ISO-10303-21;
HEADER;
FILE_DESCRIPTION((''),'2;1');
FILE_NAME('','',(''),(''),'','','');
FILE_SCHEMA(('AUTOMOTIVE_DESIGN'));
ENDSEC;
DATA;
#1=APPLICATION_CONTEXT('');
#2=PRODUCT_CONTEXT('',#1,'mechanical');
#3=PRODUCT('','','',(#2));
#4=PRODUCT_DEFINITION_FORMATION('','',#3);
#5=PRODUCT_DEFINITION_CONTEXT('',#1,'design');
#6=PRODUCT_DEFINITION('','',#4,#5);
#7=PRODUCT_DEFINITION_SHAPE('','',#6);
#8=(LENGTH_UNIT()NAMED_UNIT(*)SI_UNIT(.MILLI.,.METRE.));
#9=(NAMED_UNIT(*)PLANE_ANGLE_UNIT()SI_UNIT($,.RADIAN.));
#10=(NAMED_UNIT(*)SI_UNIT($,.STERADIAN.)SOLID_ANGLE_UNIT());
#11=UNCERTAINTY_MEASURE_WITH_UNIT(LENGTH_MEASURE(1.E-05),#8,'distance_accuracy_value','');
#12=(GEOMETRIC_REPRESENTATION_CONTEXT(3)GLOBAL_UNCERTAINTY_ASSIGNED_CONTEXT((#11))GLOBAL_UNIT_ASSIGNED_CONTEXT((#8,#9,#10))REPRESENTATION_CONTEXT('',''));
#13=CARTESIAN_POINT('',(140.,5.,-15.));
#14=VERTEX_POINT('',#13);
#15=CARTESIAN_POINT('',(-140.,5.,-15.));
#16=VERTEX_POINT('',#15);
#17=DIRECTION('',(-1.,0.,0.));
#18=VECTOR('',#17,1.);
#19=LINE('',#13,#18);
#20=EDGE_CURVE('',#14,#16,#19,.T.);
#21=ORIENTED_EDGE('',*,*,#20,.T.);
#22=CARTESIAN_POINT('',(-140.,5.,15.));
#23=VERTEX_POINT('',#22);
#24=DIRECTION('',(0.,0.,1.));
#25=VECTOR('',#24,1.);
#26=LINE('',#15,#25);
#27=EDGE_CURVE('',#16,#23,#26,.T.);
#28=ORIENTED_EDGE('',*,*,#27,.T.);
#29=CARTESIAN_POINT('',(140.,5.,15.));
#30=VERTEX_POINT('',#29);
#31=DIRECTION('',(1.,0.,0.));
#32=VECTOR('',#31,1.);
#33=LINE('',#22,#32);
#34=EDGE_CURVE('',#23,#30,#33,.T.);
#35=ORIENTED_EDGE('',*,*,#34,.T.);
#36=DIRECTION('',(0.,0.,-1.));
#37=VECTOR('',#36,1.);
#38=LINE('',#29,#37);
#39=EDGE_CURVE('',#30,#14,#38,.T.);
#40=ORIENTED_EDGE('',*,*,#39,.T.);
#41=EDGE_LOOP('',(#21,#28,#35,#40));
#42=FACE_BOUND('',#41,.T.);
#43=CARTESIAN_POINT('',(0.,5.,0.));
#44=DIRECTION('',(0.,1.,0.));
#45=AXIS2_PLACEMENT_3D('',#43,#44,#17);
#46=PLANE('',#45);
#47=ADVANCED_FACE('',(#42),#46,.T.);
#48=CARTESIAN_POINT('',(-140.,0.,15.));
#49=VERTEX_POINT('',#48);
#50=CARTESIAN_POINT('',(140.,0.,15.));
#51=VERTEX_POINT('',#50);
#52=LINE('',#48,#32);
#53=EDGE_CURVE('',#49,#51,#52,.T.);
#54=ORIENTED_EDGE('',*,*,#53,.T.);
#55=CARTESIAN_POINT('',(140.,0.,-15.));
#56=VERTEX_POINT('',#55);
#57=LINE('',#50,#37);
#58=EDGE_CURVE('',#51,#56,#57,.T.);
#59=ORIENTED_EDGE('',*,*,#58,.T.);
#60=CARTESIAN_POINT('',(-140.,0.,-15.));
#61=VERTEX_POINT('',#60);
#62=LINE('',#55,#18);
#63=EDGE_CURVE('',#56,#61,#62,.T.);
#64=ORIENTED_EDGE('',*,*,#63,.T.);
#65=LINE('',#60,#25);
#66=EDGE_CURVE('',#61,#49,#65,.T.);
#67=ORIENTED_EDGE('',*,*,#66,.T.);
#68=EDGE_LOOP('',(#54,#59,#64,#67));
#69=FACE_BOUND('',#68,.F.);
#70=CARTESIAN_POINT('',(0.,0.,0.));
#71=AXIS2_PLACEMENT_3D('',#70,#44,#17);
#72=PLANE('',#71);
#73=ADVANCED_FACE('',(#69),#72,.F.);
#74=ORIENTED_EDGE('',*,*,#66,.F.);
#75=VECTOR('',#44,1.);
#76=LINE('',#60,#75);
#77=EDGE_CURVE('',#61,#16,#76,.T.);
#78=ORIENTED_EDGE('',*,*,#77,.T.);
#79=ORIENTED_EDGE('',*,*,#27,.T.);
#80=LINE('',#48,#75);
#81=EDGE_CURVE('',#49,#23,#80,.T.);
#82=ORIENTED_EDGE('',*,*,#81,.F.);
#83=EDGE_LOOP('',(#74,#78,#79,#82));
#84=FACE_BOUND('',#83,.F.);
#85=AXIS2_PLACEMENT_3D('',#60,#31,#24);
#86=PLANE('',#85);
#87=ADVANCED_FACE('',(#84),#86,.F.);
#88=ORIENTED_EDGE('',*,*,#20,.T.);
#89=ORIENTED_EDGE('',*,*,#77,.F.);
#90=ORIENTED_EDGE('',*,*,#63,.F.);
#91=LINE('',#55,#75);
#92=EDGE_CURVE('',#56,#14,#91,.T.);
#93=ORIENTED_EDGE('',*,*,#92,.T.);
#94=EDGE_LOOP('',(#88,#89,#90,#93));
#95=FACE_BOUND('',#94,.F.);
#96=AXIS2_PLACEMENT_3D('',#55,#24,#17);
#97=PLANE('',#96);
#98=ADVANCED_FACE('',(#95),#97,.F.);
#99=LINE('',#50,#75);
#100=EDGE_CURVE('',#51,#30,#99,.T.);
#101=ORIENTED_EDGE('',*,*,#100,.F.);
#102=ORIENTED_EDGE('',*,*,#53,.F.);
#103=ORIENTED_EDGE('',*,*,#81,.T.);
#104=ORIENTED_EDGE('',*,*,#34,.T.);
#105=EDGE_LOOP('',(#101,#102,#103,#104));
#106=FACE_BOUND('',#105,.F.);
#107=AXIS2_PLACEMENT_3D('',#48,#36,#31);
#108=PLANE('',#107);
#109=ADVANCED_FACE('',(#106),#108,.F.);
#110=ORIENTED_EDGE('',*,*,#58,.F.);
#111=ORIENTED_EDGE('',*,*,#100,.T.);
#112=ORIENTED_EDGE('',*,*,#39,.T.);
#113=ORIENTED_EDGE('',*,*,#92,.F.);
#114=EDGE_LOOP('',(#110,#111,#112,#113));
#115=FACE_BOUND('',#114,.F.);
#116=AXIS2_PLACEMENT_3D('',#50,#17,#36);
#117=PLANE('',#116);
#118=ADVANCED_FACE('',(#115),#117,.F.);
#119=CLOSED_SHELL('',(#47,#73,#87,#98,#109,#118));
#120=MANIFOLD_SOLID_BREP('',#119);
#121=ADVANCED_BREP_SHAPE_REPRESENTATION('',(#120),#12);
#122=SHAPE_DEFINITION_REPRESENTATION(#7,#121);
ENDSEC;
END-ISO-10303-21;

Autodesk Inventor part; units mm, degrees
ref_plane "YZ Plane" through (0, 0, 0) normal (1, 0, 0) x (0, 1, 0)
ref_plane "XZ Plane" through (0, 0, 0) normal (0, 1, 0) x (-1, 0, 0)
ref_plane "XY Plane" through (0, 0, 0) normal (0, 0, 1) x (1, 0, 0)
sketch "Sketch1" plane through (0, 0, 0) normal (0, 1, 0) x (-1, 0, 0)
  line L0 (140, 15) -> (-140, 15)
  line L1 (-140, 15) -> (-140, -15)
  line L2 (-140, -15) -> (140, -15)
  line L3 (140, -15) -> (140, 15)
  line L4 (140, 15) -> (-140, -15) construction
  line L5 (-140, 15) -> (140, -15) construction
  point P0 (0, 0)
  dimension "d0" = 280
  dimension "d1" = 30
extrude "Extrusion1" add sketch "Sketch1" along normal blind 5
properties part number "Atap 2"
